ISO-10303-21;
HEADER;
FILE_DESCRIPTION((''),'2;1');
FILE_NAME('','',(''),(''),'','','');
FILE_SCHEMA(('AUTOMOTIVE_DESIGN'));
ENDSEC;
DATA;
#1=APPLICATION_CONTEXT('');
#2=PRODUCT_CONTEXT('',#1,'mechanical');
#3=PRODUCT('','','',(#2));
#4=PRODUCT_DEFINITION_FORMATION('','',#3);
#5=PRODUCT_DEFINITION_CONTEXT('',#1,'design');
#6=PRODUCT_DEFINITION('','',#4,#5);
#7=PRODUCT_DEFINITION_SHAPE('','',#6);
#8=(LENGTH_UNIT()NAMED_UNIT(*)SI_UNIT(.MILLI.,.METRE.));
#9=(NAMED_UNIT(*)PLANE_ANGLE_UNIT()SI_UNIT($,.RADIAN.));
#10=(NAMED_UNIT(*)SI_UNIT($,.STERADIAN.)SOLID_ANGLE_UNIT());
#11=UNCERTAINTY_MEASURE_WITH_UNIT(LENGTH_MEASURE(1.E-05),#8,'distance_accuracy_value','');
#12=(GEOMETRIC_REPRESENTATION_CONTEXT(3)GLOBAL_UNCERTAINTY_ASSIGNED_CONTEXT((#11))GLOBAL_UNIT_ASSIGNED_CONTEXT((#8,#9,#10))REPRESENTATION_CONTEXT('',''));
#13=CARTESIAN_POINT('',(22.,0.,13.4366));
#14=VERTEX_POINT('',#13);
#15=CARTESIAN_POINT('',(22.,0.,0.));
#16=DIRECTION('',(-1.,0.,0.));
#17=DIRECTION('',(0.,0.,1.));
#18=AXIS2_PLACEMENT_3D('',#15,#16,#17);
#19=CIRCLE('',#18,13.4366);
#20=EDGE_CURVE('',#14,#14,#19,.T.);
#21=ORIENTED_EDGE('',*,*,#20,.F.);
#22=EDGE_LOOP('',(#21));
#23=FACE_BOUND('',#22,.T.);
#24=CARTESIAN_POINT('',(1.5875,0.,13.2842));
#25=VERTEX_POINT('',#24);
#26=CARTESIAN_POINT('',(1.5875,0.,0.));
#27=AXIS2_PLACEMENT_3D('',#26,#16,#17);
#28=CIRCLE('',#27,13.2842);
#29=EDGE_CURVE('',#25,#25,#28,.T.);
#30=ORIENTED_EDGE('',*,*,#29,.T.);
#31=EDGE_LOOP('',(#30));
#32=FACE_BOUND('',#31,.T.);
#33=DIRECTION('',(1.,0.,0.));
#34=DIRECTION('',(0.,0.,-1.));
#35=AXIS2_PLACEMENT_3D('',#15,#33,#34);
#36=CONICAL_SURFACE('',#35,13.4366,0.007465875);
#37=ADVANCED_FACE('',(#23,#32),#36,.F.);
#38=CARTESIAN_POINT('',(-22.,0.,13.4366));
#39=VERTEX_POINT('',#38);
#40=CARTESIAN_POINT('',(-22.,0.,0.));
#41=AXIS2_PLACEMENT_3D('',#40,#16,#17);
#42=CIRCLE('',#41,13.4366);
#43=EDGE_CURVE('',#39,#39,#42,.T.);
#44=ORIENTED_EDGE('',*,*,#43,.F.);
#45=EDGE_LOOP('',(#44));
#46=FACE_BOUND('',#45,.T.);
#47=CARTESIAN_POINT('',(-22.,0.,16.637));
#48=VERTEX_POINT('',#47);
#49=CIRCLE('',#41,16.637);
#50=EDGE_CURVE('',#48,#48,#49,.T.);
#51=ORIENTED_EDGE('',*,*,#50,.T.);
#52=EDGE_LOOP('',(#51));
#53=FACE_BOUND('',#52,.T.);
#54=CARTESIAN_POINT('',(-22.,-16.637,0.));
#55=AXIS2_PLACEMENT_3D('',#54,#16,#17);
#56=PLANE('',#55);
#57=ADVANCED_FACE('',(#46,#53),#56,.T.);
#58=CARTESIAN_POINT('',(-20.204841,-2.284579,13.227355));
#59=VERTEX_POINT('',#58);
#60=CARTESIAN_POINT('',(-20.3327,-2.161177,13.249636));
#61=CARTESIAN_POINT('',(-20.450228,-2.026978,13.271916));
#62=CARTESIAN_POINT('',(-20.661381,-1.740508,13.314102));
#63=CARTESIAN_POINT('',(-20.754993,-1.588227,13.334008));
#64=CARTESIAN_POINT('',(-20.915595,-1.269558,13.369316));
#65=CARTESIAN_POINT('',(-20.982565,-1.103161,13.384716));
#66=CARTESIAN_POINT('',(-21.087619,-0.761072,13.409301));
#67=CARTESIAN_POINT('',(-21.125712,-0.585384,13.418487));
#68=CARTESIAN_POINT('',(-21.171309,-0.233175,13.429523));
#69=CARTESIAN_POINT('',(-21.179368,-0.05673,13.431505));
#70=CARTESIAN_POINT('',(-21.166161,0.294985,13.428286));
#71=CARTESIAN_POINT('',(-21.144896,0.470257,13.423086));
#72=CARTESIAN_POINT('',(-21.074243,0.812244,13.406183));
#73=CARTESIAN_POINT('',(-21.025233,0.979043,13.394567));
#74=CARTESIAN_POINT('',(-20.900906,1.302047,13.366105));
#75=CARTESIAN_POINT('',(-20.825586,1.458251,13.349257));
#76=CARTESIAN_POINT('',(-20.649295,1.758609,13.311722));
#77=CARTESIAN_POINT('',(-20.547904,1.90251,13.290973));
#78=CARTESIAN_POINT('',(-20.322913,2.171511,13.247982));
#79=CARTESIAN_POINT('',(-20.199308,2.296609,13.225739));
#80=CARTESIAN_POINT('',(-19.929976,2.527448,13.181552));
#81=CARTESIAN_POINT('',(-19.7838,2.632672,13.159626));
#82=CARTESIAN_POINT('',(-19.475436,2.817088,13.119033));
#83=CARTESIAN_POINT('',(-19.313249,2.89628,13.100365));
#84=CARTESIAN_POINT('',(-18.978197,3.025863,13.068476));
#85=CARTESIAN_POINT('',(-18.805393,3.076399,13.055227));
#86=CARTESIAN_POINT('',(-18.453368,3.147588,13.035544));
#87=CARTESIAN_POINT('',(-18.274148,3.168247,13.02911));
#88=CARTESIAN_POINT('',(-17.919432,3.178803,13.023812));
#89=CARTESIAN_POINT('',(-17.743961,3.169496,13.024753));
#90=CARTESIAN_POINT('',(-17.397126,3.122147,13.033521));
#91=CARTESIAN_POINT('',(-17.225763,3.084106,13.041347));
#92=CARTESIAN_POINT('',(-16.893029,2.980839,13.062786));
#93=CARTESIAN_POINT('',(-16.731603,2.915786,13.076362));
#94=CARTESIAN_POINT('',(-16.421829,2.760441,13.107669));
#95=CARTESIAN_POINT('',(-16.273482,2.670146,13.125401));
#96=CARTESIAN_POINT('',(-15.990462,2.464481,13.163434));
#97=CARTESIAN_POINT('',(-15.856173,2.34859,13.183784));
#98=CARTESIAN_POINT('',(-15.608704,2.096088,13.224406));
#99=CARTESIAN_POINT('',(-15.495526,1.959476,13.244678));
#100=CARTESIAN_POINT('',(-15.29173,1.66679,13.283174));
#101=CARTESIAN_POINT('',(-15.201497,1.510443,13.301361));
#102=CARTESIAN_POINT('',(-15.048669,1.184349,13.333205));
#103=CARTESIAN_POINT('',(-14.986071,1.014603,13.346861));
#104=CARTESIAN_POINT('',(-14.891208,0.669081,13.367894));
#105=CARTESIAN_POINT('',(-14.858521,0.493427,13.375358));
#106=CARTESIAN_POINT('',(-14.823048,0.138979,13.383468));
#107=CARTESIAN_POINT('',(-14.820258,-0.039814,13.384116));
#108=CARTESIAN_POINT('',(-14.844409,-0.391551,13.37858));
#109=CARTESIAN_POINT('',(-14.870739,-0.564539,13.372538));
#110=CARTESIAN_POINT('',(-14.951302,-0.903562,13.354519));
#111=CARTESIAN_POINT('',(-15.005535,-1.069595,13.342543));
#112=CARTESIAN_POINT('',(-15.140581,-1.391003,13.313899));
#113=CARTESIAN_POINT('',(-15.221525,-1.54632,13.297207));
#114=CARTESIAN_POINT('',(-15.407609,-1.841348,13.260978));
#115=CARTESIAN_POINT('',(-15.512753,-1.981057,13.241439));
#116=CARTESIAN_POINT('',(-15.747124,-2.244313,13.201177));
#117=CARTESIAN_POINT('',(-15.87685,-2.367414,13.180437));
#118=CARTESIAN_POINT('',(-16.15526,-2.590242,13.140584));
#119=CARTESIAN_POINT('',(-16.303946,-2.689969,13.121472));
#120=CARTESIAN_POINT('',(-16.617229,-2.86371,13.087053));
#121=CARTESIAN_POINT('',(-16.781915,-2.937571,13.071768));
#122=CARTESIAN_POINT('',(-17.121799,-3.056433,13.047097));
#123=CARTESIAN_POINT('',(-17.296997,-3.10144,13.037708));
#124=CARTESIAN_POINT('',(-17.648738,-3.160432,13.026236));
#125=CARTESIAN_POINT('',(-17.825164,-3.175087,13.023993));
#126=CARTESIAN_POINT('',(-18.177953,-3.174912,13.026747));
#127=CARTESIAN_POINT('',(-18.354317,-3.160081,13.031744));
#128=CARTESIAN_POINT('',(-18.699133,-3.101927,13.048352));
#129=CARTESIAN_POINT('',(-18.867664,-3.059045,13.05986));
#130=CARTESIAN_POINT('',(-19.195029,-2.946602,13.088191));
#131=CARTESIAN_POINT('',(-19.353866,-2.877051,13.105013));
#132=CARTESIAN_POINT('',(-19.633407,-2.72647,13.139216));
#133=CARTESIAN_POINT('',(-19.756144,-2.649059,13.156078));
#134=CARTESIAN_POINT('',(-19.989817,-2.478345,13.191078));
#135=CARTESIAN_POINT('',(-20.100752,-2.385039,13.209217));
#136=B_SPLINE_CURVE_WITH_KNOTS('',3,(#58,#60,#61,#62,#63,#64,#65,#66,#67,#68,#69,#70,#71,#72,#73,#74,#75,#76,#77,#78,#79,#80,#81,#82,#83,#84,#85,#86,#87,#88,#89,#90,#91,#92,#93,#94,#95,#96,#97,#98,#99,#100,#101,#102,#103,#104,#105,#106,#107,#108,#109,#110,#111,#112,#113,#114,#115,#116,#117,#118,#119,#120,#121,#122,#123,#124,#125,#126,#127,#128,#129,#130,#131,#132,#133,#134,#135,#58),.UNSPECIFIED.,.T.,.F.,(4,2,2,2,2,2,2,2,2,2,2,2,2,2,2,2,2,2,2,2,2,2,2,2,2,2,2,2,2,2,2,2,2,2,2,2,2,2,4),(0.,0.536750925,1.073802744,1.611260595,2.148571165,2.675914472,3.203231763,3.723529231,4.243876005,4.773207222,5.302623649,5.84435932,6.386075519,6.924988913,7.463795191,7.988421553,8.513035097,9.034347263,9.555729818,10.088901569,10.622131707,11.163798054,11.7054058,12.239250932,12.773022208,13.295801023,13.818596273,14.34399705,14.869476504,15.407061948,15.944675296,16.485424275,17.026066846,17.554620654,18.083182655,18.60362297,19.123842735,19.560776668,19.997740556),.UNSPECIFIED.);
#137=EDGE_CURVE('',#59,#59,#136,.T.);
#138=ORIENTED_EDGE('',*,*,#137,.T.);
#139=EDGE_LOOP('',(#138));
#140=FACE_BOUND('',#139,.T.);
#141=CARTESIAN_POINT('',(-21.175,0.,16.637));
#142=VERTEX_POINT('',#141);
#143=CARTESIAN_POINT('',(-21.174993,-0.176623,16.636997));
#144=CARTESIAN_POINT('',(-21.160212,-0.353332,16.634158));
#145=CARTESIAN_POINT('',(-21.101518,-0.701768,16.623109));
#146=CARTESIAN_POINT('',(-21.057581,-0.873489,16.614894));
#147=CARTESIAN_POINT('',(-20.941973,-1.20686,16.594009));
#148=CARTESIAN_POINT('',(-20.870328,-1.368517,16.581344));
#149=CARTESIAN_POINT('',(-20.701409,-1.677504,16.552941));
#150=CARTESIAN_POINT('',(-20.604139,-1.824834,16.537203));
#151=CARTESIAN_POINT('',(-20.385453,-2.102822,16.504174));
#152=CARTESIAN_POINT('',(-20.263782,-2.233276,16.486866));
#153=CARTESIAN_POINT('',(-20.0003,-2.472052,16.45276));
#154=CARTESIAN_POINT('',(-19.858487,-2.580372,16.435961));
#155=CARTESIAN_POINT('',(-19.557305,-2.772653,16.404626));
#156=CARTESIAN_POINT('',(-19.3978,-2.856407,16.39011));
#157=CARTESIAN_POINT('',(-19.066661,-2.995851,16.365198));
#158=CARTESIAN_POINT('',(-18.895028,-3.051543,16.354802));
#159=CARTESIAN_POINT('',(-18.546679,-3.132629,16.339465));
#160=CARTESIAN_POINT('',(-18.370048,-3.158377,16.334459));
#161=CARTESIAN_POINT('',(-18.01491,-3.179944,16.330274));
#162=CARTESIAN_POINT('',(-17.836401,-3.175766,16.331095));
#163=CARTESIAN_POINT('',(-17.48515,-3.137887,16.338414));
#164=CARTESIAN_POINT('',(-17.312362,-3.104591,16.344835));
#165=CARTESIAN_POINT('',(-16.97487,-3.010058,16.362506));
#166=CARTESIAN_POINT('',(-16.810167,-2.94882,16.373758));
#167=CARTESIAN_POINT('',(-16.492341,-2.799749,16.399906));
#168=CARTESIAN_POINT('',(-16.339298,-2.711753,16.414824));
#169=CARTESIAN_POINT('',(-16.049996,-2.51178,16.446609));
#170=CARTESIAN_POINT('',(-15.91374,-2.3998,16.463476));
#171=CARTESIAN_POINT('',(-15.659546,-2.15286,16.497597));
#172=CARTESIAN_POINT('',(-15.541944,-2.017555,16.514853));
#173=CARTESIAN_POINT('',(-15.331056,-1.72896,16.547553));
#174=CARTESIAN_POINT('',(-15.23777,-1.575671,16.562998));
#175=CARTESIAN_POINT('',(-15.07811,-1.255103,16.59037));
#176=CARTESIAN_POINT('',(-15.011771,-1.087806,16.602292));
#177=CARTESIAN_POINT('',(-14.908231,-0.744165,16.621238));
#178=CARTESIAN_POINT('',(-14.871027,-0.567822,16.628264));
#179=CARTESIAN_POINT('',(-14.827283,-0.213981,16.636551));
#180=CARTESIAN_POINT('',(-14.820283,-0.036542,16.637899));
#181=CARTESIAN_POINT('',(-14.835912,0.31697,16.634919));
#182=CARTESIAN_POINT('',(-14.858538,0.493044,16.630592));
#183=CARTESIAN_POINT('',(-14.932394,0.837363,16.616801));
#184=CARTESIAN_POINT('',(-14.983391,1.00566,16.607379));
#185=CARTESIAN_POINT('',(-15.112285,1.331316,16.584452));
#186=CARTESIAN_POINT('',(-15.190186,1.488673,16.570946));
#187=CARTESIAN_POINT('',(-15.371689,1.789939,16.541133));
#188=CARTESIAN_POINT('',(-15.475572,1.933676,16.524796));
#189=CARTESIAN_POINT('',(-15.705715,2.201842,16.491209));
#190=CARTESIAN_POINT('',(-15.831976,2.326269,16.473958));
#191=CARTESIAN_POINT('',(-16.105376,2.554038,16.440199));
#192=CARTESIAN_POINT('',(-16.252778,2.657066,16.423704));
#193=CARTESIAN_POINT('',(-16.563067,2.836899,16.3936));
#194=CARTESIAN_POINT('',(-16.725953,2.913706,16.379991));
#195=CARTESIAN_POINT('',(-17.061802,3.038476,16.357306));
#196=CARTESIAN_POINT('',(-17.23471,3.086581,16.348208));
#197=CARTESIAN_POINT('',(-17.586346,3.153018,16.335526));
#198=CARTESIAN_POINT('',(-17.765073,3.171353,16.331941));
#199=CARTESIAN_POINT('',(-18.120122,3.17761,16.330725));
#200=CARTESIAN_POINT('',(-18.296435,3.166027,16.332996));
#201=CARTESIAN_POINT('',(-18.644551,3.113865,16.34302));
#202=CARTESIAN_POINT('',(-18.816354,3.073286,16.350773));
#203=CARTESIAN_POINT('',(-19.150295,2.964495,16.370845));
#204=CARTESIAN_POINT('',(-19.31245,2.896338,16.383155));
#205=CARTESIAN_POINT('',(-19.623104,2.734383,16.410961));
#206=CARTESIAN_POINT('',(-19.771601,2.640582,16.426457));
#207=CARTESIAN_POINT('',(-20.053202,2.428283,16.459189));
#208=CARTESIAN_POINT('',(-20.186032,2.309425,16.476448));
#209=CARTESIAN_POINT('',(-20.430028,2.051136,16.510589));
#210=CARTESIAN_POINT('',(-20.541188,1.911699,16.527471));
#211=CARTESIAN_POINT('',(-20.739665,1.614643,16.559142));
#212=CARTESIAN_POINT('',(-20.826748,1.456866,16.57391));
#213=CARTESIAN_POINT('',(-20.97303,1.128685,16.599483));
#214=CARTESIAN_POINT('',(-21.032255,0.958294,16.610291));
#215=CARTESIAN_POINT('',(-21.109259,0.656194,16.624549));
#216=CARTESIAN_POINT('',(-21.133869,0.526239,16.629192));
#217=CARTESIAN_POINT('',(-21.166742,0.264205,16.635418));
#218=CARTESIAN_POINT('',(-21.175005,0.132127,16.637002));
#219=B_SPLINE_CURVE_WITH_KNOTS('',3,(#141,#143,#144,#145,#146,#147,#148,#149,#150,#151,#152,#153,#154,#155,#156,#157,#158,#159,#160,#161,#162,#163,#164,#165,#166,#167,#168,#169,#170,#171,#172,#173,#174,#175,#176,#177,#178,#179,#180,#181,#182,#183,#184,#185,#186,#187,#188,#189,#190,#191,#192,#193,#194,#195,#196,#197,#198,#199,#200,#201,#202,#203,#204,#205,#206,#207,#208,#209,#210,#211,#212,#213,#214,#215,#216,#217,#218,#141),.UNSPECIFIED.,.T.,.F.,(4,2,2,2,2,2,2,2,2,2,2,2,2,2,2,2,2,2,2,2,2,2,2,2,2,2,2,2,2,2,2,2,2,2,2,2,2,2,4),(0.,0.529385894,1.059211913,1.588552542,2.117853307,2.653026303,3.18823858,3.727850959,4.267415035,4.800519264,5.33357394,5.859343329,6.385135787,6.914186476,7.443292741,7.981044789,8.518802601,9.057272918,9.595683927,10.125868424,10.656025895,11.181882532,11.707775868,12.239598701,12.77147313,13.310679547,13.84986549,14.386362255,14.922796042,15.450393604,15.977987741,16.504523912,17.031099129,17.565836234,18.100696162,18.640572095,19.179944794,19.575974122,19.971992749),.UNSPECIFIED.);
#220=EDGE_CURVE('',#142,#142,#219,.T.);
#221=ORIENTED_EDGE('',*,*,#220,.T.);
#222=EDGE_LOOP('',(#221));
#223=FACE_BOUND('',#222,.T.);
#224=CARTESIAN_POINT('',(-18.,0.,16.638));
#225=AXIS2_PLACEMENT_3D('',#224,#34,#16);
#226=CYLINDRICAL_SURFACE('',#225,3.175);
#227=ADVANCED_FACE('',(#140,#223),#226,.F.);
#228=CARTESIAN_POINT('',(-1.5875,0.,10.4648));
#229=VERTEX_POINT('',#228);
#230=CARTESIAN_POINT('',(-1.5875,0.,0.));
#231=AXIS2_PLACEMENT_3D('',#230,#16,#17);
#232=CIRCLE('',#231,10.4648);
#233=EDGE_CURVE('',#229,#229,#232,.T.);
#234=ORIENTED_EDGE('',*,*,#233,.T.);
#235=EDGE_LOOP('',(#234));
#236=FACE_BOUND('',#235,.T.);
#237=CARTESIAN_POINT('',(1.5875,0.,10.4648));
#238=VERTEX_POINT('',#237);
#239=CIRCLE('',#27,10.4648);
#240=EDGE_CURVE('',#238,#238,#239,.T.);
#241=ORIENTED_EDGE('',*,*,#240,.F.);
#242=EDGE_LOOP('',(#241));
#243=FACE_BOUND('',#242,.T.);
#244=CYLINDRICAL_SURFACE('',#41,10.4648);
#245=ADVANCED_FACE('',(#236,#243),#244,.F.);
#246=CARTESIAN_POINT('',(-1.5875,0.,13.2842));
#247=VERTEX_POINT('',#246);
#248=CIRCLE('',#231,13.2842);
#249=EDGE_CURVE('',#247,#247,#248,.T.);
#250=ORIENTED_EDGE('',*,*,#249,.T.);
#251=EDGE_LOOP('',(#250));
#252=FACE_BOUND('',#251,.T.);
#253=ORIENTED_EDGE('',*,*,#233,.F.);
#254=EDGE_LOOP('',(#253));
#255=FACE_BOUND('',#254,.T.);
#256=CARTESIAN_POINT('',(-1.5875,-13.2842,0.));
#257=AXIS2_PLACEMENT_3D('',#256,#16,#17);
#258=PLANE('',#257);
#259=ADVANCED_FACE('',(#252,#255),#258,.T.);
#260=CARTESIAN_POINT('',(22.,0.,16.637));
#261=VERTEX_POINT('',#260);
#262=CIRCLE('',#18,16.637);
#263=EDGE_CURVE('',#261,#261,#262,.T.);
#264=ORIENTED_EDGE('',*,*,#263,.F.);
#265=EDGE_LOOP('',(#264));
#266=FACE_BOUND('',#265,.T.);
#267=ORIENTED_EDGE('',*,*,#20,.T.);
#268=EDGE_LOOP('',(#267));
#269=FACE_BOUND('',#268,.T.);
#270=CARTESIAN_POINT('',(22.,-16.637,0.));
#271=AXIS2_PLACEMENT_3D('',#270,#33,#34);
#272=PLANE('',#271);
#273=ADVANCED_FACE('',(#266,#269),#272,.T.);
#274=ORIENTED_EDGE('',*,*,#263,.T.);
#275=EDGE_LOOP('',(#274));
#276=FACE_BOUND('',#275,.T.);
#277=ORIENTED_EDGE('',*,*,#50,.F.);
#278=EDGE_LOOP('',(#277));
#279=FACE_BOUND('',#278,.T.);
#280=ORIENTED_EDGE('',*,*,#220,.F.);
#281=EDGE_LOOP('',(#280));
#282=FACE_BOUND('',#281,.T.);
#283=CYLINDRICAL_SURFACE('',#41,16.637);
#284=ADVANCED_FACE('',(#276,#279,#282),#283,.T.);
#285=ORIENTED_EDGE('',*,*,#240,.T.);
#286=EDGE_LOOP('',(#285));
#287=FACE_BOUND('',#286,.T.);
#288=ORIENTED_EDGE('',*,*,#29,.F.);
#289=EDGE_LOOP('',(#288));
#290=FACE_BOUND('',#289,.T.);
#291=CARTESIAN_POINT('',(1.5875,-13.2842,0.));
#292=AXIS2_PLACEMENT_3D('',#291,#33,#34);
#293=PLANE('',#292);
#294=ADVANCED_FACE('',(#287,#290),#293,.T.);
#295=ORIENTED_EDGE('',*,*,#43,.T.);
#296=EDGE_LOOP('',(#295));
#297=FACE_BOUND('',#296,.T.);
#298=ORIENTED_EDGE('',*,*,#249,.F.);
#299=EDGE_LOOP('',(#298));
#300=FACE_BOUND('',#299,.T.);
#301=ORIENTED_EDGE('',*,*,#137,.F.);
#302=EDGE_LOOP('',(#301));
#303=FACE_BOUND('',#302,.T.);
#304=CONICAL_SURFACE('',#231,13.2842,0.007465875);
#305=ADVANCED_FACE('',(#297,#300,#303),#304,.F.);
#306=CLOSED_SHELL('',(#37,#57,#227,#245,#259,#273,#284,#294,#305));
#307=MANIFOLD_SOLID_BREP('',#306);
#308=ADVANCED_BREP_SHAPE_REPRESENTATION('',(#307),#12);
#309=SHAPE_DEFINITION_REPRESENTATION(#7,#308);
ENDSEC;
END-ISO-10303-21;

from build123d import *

# Parameters (mm, degrees)
CUT_EXTRUDE1_REACH = 18.637
SKETCH2_R          = 3.175


with BuildPart() as part:
    # Sketch1 → Revolve1 (revolve)
    with BuildSketch(Plane.XY):
        Polygon((-1.5875, -10.4648), (1.5875, -10.4648), (1.5875, -13.2842), (22, -13.4366), (22, -16.637), (-22, -16.637), (-22, -13.4366), (-1.5875, -13.2842), align=None)
    revolve(axis=Axis((-22, 0, 0), (1, 0, 0)))

    # Sketch2 → Cut-Extrude1 (cut, up to next)
    with BuildSketch(Plane.XY, mode=Mode.PRIVATE) as cut_extrude1_sk1:
        with Locations((-18, 0)):
            Circle(SKETCH2_R)
    cut_extrude1_tool1 = extrude(cut_extrude1_sk1.sketch, amount=CUT_EXTRUDE1_REACH, mode=Mode.PRIVATE) & part.part
    add(cut_extrude1_tool1.solids().sort_by_distance((-18, 0, 0))[0], mode=Mode.SUBTRACT)


solid = part.part
